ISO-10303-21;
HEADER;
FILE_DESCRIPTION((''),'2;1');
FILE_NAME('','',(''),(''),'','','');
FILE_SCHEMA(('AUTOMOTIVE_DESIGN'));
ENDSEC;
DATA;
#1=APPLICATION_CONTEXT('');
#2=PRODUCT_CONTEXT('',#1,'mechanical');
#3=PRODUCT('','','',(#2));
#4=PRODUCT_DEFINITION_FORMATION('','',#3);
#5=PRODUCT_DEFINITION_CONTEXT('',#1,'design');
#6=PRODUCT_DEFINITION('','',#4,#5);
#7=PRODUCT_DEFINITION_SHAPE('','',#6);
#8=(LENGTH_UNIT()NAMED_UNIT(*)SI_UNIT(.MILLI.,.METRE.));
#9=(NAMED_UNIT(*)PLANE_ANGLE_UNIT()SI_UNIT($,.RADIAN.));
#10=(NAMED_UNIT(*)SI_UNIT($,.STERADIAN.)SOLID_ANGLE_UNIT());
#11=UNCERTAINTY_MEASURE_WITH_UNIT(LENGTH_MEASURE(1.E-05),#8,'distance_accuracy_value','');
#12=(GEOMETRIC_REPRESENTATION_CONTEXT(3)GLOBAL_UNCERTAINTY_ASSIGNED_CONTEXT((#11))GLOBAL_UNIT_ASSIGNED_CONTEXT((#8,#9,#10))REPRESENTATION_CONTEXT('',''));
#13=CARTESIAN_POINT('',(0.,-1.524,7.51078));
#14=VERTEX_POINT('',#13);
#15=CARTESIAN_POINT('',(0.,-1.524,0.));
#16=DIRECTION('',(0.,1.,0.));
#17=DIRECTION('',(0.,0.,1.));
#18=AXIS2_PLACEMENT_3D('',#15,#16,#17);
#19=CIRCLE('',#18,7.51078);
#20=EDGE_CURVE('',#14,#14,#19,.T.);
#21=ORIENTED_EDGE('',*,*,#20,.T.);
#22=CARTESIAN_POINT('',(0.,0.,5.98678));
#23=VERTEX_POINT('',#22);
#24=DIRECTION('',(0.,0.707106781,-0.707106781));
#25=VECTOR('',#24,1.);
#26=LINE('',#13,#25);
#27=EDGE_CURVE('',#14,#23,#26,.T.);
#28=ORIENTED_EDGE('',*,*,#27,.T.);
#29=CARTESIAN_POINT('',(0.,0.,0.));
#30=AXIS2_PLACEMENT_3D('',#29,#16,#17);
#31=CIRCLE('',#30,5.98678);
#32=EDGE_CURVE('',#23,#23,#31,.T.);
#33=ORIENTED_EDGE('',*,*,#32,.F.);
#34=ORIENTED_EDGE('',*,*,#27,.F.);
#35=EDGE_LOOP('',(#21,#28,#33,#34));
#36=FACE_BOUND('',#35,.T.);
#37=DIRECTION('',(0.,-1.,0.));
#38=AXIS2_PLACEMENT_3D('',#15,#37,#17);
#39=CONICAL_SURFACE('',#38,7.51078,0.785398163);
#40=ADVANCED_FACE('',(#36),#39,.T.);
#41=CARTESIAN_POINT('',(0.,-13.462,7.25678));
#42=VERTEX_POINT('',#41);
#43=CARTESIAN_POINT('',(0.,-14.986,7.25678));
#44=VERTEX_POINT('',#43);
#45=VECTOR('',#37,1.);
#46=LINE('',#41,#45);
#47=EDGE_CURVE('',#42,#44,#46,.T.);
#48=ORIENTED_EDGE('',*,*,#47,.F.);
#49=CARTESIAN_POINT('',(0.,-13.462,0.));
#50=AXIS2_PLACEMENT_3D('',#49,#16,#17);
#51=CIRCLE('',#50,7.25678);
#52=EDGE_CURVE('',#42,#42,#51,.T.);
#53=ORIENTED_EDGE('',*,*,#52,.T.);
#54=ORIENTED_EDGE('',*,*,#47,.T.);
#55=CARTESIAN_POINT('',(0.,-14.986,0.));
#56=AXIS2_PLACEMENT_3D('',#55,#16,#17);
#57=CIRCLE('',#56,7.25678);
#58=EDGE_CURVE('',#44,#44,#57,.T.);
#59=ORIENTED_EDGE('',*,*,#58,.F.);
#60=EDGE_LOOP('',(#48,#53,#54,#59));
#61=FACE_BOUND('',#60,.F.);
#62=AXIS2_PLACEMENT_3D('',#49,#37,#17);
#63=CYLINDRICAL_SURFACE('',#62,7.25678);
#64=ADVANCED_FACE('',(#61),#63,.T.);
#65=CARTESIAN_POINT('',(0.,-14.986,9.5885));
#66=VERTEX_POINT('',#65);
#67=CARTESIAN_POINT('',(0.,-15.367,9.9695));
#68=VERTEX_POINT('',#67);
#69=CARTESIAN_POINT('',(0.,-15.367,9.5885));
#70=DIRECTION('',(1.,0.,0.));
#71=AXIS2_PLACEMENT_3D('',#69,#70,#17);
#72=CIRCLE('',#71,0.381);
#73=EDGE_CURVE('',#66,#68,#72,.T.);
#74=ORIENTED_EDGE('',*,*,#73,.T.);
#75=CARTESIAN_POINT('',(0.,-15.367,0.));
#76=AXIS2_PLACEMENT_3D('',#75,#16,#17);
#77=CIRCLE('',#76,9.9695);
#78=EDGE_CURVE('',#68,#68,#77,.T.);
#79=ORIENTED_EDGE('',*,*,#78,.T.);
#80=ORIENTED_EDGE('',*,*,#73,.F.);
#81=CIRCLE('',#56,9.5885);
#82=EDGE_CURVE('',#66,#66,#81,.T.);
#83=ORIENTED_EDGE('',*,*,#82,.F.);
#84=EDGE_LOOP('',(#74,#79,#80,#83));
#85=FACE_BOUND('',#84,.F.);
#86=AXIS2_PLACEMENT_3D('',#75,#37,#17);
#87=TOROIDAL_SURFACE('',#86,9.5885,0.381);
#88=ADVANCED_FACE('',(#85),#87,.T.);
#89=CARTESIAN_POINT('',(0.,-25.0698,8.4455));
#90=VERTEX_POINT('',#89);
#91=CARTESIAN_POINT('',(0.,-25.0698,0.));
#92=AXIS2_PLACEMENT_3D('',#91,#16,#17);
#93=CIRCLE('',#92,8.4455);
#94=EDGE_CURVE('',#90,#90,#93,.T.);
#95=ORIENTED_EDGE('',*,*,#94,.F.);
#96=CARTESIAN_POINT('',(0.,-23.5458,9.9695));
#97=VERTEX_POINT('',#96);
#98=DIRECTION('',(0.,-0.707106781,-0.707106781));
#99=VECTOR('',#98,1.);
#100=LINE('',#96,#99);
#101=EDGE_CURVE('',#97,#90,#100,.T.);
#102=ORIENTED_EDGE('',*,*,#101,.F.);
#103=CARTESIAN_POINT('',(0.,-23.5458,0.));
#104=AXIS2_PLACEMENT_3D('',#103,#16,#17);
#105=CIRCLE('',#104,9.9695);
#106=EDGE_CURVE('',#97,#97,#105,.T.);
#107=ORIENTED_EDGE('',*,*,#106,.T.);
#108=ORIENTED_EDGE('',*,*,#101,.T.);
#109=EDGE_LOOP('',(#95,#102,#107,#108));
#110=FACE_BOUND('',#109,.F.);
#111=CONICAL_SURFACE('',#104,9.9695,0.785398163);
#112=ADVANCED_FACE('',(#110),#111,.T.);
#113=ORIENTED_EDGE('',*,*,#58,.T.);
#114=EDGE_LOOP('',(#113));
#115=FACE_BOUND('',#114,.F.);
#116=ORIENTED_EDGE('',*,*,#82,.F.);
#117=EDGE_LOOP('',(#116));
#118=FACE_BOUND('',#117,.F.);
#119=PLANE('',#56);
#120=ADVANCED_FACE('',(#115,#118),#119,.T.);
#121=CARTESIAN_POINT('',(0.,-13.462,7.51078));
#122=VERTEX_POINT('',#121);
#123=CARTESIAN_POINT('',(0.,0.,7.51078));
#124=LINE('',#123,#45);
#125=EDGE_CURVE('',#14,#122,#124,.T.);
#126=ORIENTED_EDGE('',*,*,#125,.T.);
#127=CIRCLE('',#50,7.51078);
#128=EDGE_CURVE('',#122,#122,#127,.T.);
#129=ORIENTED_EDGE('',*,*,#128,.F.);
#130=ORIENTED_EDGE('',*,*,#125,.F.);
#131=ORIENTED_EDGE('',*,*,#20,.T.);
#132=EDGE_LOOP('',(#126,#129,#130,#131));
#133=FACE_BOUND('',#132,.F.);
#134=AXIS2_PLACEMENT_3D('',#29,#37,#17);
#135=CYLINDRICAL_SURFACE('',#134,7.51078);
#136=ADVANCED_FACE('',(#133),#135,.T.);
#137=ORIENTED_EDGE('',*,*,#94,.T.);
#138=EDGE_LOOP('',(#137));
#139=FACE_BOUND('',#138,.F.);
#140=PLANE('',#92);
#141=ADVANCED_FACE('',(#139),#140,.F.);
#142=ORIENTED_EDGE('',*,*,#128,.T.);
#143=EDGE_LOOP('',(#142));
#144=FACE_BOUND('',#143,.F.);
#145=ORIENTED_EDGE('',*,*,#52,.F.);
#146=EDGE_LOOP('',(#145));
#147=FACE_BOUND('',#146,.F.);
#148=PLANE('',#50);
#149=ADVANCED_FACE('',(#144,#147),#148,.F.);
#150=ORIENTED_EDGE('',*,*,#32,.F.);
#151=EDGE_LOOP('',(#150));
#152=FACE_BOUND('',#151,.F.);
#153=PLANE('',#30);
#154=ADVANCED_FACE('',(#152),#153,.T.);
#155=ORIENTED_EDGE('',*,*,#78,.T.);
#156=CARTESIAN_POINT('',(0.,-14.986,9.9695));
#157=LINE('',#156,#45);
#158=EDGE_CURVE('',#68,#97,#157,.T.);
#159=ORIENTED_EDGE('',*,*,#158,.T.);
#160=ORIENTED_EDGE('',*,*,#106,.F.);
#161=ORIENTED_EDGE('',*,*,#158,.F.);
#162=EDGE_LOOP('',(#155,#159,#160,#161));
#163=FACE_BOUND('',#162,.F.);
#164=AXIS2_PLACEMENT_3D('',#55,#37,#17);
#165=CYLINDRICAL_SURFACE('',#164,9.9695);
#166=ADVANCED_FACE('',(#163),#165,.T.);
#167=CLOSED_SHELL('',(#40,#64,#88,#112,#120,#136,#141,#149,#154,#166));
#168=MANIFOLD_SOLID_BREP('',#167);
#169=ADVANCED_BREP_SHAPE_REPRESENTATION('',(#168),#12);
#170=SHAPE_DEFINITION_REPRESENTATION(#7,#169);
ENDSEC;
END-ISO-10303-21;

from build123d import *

# Parameters (mm, degrees)
F2_SIZE = 1.524
F3_SIZE = 1.524
F4_R    = 0.381


with BuildPart() as f1:
    # F0 (on Right) → F1 (revolve)
    with BuildSketch(Plane.YZ):
        Polygon((-25.0698, 0), (0, 0), (0, 7.51078), (-13.462, 7.51078), (-13.462, 7.25678), (-14.986, 7.25678), (-14.986, 7.51078), (-14.986, 9.9695), (-25.0698, 9.9695), align=None)
    revolve(axis=Axis((0, -12.5349, 0), (0, 1, 0)))

    # F2
    f2_edges = [f1.edges().sort_by_distance(p)[0] for p in [
        (0, -25.0698, -9.9695),
    ]]
    chamfer(f2_edges, length=F2_SIZE)

    # F3
    f3_edges = [f1.edges().sort_by_distance(p)[0] for p in [
        (0, 0, -7.51078),
    ]]
    chamfer(f3_edges, length=F3_SIZE)

    # F4
    f4_edges = [f1.edges().sort_by_distance(p)[0] for p in [
        (0, -14.986, -9.9695),
    ]]
    fillet(f4_edges, radius=F4_R)


solid = f1.part
